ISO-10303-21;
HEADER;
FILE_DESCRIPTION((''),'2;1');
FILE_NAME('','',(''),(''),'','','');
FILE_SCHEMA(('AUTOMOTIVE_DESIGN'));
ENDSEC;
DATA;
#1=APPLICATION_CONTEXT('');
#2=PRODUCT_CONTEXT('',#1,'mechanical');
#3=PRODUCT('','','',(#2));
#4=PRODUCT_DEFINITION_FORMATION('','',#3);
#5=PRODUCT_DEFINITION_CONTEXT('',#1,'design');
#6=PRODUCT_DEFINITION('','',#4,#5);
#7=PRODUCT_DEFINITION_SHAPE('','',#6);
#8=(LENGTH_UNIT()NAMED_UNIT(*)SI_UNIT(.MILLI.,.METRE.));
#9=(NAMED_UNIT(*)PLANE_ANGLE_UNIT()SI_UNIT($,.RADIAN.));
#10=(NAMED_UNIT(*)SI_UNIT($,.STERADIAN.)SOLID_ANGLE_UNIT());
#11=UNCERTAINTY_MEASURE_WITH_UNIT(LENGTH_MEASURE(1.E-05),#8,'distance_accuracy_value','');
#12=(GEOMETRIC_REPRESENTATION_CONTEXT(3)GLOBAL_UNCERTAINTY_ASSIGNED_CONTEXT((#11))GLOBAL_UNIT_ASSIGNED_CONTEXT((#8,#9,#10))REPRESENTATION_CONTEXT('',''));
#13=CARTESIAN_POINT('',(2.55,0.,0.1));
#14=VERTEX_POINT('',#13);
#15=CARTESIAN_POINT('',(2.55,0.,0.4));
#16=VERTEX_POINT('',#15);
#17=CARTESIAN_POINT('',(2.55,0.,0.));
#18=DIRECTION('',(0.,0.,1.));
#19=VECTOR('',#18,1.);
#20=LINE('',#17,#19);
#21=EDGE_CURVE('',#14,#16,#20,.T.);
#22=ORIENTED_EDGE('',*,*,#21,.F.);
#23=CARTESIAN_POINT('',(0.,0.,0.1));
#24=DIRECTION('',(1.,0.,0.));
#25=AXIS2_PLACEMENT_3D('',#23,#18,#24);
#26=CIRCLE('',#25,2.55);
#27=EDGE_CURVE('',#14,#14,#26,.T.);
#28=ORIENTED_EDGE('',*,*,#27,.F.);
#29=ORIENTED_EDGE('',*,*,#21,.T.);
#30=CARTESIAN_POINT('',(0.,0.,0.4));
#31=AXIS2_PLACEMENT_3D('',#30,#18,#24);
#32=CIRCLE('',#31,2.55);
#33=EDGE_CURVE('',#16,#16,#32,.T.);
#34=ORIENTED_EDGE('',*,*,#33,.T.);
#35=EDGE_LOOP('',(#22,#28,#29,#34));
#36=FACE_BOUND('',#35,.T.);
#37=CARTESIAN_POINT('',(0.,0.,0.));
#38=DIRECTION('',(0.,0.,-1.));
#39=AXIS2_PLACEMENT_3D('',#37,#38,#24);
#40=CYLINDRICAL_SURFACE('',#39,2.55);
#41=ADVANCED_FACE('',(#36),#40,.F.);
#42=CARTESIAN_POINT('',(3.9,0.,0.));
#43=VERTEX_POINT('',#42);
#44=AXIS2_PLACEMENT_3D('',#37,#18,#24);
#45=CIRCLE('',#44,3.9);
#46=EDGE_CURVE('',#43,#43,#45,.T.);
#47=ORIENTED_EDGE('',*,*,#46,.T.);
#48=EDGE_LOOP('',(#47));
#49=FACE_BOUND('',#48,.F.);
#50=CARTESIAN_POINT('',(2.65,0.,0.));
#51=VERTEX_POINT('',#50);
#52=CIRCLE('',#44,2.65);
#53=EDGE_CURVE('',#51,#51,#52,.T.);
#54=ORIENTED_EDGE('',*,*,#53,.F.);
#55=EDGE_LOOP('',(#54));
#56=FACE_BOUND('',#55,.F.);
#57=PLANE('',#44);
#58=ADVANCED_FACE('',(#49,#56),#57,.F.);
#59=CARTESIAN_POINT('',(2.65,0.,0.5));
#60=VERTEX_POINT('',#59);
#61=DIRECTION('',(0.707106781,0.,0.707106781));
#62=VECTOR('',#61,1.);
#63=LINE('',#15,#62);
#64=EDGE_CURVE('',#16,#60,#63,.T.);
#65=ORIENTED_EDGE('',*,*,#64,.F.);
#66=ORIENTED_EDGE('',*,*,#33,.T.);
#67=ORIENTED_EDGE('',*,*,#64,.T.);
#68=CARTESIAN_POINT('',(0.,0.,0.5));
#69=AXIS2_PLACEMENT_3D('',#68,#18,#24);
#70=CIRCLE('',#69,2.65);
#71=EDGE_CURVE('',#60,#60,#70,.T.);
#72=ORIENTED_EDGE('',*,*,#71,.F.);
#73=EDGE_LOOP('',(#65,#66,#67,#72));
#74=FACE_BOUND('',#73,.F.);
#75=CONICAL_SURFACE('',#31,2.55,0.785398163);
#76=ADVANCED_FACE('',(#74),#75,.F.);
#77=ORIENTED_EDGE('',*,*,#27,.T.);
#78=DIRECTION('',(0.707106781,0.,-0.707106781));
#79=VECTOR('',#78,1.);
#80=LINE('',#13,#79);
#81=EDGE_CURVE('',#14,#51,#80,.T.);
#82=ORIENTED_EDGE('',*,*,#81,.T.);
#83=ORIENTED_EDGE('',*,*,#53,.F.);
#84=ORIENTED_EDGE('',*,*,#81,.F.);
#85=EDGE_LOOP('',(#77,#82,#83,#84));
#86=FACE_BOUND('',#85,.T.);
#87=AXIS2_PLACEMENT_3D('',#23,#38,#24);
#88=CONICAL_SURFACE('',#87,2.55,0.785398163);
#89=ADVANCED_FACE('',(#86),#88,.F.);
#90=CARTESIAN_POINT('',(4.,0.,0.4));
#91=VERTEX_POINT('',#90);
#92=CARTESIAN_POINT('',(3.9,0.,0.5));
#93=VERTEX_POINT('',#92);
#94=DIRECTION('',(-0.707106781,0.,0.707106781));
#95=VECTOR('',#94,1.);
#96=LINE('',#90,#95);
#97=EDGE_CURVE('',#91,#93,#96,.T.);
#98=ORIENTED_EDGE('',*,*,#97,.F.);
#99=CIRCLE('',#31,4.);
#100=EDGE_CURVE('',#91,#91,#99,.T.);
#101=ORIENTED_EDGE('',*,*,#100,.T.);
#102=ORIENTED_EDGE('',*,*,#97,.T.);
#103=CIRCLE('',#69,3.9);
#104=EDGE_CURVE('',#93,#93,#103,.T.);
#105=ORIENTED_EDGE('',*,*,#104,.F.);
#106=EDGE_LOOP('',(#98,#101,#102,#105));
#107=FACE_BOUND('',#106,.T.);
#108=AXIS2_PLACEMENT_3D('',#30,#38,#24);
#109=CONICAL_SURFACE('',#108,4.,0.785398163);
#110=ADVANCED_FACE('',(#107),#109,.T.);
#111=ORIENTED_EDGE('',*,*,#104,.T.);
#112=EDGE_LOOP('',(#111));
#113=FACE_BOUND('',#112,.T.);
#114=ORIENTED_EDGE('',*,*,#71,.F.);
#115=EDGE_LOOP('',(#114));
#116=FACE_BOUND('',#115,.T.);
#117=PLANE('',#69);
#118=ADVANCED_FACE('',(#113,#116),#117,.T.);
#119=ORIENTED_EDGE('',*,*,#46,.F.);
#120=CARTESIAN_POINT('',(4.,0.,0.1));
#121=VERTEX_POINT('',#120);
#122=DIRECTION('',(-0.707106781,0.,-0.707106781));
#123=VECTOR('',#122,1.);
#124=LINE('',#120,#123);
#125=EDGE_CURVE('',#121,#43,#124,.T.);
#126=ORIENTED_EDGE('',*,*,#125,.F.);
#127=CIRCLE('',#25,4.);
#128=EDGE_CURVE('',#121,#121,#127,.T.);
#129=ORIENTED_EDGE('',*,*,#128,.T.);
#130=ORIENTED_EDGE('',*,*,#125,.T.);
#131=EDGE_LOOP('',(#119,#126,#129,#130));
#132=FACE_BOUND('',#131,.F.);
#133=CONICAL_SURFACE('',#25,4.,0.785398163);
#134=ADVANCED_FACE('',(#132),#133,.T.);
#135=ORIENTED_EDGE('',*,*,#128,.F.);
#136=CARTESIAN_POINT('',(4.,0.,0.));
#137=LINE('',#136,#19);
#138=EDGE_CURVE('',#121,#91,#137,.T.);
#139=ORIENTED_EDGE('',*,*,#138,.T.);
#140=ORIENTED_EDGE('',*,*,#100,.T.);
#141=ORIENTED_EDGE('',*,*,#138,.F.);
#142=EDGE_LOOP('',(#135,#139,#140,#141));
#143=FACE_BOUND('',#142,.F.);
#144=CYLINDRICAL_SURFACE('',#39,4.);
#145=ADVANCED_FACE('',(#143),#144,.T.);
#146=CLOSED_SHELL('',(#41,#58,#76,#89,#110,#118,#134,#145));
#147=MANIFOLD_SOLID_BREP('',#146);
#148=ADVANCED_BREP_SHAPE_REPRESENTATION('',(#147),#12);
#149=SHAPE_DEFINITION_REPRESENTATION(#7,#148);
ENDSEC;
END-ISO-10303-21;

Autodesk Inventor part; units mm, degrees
ref_plane "YZ Plane" through (0, 0, 0) normal (1, 0, 0) x (0, 1, 0)
ref_plane "XZ Plane" through (0, 0, 0) normal (0, 1, 0) x (-1, 0, 0)
ref_plane "XY Plane" through (0, 0, 0) normal (0, 0, 1) x (1, 0, 0)
sketch "Sketch1" plane through (0, 0, 0) normal (0, 0, 1) x (1, 0, 0)
  circle A0 centre (0, 0) radius 4
  circle A1 centre (0, 0) radius 2.55
  dimension "d0" = 8
  dimension "d1" = 5.1
extrude "Extrusion1" add sketch "Sketch1" along normal blind 0.5
chamfer "Chamfer1" distance 0.1 angle 45 4 edges at (-4, 0, 0) (-4, 0, 0.5) (-2.55, 0, 0) (-2.55, 0, 0.5)
properties part number "M5 Shim 0p5mm" material "Stainless Steel"
